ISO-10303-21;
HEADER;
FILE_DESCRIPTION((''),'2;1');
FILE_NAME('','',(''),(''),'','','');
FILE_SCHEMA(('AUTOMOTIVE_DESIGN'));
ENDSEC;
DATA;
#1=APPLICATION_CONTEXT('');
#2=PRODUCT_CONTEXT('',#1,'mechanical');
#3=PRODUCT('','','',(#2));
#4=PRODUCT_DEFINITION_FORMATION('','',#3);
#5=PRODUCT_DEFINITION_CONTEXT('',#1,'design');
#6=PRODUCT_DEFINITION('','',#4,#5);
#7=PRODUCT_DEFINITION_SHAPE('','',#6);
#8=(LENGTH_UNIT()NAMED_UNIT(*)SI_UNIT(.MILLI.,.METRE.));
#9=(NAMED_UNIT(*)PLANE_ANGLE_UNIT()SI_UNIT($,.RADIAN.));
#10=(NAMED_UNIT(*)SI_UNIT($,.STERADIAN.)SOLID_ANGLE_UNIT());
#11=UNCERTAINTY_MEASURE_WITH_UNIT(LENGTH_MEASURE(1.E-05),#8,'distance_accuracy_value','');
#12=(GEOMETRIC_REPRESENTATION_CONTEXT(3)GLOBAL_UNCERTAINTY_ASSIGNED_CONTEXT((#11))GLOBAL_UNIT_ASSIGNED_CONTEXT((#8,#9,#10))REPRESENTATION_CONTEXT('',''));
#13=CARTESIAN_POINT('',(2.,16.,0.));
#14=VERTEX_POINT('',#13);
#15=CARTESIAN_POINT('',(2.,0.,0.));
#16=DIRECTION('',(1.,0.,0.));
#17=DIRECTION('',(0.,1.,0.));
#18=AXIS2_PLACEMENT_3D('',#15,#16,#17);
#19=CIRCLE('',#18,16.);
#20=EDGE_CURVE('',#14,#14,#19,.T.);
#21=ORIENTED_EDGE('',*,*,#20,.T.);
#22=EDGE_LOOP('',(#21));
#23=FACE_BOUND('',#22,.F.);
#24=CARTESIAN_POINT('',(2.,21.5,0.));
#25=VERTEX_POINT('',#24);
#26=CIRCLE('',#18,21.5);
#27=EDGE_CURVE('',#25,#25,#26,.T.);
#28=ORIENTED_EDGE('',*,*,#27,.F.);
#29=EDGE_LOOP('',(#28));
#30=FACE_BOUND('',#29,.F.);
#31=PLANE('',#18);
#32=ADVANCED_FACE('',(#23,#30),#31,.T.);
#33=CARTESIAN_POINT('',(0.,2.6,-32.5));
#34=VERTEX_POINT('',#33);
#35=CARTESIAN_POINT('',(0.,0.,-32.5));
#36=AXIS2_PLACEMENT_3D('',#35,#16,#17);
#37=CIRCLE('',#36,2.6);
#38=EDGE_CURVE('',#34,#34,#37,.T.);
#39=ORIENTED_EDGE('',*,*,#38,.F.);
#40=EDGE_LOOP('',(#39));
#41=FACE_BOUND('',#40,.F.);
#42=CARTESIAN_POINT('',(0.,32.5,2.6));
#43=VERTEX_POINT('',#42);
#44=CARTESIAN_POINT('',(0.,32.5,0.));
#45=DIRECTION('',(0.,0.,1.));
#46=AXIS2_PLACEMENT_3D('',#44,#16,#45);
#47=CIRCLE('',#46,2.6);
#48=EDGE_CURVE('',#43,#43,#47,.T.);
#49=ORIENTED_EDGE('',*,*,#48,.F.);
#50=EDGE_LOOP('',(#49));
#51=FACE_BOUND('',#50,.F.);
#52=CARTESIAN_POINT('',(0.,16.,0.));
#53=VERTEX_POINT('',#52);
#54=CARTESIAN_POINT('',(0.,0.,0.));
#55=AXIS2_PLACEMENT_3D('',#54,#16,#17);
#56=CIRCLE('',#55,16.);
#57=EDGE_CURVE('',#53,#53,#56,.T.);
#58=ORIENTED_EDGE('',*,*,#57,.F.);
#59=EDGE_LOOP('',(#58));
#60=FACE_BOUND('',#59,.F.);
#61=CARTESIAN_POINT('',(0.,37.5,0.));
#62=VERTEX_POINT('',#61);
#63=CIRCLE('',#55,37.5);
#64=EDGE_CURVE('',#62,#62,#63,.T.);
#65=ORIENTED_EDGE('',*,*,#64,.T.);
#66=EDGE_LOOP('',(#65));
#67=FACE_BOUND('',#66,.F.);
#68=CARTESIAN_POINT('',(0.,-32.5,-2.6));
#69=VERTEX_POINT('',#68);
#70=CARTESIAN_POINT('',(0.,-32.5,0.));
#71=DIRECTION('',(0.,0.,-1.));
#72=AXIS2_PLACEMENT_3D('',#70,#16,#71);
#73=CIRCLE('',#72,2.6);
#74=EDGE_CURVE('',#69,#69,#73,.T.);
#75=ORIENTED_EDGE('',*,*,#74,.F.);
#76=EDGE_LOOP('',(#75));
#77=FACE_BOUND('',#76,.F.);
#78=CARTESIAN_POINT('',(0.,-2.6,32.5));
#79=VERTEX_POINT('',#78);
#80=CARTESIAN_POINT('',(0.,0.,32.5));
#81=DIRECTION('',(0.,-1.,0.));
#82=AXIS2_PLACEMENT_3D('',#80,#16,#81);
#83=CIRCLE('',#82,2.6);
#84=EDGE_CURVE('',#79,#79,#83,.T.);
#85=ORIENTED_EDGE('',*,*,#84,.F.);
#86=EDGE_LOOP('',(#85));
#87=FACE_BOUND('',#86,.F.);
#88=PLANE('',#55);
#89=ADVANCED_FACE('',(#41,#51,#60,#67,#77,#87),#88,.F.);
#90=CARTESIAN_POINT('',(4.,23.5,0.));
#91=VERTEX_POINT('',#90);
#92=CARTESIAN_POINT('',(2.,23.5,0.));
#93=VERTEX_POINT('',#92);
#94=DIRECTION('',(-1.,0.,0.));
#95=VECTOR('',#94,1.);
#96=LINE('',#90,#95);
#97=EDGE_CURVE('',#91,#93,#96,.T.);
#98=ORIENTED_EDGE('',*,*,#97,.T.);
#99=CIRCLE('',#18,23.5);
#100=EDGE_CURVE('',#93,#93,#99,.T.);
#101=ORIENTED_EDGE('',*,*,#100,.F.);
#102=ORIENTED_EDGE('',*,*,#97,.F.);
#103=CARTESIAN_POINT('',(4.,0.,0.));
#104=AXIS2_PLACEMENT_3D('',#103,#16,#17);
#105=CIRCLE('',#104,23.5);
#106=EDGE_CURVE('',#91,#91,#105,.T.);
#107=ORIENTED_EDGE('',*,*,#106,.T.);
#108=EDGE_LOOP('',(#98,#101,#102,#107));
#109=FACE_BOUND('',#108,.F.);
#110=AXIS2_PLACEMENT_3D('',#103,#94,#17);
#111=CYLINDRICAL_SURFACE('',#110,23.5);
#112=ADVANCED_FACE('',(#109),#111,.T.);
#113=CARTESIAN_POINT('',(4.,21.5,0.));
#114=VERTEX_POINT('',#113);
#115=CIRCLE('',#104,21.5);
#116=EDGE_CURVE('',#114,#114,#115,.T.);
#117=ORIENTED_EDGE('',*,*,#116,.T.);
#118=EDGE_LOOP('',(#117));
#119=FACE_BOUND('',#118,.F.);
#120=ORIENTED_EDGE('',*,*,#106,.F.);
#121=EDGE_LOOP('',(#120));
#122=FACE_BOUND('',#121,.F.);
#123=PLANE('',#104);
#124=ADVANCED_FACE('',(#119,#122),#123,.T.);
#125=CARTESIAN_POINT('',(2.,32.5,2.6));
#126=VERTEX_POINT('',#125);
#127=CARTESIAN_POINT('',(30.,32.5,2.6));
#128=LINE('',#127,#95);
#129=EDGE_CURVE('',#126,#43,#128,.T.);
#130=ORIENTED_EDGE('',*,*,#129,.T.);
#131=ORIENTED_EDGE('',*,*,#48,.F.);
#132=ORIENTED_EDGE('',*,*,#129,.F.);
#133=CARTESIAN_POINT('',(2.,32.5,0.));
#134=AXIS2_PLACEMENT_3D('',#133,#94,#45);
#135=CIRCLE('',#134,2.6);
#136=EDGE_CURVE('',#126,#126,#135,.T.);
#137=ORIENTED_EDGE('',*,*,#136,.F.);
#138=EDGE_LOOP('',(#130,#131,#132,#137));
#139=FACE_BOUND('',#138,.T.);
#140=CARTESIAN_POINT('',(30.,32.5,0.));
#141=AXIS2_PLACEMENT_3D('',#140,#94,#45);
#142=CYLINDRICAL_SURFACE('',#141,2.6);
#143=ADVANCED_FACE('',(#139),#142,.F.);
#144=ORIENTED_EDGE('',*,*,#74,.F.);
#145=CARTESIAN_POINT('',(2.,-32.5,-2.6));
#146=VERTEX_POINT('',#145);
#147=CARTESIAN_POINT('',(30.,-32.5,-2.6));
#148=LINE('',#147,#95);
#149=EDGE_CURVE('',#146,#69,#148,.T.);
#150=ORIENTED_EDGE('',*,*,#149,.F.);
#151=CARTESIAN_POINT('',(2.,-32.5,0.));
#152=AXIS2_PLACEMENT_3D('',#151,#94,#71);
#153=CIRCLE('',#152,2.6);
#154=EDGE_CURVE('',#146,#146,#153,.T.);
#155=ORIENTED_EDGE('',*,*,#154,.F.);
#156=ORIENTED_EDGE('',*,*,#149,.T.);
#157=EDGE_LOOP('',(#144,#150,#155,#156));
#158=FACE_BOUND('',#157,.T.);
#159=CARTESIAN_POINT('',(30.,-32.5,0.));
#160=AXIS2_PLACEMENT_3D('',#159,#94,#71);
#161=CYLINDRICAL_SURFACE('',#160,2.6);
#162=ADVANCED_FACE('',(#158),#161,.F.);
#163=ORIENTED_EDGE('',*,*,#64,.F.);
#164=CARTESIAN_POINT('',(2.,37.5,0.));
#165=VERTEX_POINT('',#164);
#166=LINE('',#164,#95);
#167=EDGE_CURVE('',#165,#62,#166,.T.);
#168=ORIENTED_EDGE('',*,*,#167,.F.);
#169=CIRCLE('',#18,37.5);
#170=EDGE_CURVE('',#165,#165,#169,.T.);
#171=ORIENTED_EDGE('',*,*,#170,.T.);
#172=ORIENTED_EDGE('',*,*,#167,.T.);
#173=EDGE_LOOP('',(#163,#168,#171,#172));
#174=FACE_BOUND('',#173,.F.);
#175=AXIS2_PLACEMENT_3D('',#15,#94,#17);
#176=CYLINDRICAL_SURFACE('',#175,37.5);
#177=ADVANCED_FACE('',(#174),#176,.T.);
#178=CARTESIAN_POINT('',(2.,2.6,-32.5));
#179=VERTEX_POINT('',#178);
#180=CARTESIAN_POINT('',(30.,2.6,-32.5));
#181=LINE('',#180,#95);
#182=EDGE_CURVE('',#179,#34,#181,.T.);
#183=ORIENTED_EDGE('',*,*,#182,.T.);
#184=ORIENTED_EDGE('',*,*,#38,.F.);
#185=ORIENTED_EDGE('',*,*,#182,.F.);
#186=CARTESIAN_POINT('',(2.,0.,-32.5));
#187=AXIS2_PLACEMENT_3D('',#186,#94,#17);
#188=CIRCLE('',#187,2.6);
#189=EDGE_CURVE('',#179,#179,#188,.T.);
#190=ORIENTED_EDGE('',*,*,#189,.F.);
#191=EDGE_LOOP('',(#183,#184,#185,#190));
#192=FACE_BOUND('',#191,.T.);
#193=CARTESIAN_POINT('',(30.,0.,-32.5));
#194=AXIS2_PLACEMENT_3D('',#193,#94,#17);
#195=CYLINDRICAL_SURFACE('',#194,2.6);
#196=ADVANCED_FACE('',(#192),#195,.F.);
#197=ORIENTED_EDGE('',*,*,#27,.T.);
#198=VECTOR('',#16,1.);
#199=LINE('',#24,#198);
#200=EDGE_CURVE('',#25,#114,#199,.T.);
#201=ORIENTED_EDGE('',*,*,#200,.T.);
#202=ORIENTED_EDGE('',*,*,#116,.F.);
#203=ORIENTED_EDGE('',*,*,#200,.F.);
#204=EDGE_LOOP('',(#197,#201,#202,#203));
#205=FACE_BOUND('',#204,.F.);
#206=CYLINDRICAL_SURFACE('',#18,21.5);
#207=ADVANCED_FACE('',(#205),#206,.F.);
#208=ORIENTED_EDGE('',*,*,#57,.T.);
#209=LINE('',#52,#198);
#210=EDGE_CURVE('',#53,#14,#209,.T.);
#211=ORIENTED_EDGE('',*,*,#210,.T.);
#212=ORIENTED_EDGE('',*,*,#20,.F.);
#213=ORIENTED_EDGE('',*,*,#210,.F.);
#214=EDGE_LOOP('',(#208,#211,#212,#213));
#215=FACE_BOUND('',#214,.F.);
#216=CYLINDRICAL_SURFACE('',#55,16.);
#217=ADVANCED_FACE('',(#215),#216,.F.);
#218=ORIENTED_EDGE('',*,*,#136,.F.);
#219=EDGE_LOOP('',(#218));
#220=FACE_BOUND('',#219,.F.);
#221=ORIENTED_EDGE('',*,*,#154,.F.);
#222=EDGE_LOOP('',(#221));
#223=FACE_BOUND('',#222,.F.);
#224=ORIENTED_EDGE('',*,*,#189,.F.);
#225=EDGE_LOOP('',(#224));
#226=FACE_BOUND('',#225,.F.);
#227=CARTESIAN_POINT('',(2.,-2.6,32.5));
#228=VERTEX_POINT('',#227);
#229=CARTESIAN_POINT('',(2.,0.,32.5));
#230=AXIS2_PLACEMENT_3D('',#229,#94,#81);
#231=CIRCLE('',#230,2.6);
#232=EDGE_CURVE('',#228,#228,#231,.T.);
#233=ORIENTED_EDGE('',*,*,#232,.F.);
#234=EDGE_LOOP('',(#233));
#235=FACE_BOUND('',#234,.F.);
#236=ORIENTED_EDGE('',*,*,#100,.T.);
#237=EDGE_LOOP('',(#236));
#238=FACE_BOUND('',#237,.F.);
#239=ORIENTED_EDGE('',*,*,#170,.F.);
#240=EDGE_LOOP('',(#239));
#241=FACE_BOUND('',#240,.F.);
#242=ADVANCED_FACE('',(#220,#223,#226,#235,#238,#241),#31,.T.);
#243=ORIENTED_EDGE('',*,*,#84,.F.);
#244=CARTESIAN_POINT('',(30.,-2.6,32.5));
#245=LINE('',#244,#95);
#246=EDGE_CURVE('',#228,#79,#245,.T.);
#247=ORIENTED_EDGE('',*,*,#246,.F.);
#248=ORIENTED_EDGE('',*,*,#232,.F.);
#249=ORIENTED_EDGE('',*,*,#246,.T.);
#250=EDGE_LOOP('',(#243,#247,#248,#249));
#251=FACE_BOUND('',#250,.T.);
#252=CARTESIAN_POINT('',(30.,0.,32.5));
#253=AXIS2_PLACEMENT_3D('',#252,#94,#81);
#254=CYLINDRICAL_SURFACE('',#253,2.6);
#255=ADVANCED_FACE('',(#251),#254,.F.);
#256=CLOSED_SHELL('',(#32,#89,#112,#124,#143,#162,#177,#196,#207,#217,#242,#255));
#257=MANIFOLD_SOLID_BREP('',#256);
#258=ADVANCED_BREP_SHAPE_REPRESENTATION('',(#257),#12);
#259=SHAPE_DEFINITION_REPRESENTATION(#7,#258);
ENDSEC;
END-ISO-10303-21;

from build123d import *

# Parameters (mm, degrees)
KREISMUSTER1_COUNT = 4


with BuildPart() as part:
    # Skizze1 → Rotation1 (revolve)
    with BuildSketch(Plane.XY):
        Polygon((0, 37.5), (0, 16), (2, 16), (2, 21.5), (4, 21.5), (4, 23.5), (2, 23.5), (2, 37.5), align=None)
    revolve(axis=Axis((-7.743389997, 0, 0), (1, 0, 0)))

    # Skizze7 → Ø5.2 (5.2) Durchmesser Bohrung1 (revolve, cut)
    with BuildSketch(Plane.ZX.offset(32.5)):
        Polygon((0, 0), (0, 31.562237609), (2.6, 30), (2.6, 0), align=None)
    f_5_2_5_2_durchmesser_bohrung1 = revolve(axis=Axis((-6.35, 32.5, 0), (1, 0, 0)), mode=Mode.SUBTRACT)

    # Kreismuster1: Ø5.2 (5.2) Durchmesser Bohrung1 ×4 about axis
    kreismuster1_axis = Axis((0, 0, 0), (1, 0, 0))
    for i in range(1, KREISMUSTER1_COUNT):
        add(f_5_2_5_2_durchmesser_bohrung1.rotate(kreismuster1_axis, i * 360 / KREISMUSTER1_COUNT), mode=Mode.SUBTRACT)


solid = part.part
